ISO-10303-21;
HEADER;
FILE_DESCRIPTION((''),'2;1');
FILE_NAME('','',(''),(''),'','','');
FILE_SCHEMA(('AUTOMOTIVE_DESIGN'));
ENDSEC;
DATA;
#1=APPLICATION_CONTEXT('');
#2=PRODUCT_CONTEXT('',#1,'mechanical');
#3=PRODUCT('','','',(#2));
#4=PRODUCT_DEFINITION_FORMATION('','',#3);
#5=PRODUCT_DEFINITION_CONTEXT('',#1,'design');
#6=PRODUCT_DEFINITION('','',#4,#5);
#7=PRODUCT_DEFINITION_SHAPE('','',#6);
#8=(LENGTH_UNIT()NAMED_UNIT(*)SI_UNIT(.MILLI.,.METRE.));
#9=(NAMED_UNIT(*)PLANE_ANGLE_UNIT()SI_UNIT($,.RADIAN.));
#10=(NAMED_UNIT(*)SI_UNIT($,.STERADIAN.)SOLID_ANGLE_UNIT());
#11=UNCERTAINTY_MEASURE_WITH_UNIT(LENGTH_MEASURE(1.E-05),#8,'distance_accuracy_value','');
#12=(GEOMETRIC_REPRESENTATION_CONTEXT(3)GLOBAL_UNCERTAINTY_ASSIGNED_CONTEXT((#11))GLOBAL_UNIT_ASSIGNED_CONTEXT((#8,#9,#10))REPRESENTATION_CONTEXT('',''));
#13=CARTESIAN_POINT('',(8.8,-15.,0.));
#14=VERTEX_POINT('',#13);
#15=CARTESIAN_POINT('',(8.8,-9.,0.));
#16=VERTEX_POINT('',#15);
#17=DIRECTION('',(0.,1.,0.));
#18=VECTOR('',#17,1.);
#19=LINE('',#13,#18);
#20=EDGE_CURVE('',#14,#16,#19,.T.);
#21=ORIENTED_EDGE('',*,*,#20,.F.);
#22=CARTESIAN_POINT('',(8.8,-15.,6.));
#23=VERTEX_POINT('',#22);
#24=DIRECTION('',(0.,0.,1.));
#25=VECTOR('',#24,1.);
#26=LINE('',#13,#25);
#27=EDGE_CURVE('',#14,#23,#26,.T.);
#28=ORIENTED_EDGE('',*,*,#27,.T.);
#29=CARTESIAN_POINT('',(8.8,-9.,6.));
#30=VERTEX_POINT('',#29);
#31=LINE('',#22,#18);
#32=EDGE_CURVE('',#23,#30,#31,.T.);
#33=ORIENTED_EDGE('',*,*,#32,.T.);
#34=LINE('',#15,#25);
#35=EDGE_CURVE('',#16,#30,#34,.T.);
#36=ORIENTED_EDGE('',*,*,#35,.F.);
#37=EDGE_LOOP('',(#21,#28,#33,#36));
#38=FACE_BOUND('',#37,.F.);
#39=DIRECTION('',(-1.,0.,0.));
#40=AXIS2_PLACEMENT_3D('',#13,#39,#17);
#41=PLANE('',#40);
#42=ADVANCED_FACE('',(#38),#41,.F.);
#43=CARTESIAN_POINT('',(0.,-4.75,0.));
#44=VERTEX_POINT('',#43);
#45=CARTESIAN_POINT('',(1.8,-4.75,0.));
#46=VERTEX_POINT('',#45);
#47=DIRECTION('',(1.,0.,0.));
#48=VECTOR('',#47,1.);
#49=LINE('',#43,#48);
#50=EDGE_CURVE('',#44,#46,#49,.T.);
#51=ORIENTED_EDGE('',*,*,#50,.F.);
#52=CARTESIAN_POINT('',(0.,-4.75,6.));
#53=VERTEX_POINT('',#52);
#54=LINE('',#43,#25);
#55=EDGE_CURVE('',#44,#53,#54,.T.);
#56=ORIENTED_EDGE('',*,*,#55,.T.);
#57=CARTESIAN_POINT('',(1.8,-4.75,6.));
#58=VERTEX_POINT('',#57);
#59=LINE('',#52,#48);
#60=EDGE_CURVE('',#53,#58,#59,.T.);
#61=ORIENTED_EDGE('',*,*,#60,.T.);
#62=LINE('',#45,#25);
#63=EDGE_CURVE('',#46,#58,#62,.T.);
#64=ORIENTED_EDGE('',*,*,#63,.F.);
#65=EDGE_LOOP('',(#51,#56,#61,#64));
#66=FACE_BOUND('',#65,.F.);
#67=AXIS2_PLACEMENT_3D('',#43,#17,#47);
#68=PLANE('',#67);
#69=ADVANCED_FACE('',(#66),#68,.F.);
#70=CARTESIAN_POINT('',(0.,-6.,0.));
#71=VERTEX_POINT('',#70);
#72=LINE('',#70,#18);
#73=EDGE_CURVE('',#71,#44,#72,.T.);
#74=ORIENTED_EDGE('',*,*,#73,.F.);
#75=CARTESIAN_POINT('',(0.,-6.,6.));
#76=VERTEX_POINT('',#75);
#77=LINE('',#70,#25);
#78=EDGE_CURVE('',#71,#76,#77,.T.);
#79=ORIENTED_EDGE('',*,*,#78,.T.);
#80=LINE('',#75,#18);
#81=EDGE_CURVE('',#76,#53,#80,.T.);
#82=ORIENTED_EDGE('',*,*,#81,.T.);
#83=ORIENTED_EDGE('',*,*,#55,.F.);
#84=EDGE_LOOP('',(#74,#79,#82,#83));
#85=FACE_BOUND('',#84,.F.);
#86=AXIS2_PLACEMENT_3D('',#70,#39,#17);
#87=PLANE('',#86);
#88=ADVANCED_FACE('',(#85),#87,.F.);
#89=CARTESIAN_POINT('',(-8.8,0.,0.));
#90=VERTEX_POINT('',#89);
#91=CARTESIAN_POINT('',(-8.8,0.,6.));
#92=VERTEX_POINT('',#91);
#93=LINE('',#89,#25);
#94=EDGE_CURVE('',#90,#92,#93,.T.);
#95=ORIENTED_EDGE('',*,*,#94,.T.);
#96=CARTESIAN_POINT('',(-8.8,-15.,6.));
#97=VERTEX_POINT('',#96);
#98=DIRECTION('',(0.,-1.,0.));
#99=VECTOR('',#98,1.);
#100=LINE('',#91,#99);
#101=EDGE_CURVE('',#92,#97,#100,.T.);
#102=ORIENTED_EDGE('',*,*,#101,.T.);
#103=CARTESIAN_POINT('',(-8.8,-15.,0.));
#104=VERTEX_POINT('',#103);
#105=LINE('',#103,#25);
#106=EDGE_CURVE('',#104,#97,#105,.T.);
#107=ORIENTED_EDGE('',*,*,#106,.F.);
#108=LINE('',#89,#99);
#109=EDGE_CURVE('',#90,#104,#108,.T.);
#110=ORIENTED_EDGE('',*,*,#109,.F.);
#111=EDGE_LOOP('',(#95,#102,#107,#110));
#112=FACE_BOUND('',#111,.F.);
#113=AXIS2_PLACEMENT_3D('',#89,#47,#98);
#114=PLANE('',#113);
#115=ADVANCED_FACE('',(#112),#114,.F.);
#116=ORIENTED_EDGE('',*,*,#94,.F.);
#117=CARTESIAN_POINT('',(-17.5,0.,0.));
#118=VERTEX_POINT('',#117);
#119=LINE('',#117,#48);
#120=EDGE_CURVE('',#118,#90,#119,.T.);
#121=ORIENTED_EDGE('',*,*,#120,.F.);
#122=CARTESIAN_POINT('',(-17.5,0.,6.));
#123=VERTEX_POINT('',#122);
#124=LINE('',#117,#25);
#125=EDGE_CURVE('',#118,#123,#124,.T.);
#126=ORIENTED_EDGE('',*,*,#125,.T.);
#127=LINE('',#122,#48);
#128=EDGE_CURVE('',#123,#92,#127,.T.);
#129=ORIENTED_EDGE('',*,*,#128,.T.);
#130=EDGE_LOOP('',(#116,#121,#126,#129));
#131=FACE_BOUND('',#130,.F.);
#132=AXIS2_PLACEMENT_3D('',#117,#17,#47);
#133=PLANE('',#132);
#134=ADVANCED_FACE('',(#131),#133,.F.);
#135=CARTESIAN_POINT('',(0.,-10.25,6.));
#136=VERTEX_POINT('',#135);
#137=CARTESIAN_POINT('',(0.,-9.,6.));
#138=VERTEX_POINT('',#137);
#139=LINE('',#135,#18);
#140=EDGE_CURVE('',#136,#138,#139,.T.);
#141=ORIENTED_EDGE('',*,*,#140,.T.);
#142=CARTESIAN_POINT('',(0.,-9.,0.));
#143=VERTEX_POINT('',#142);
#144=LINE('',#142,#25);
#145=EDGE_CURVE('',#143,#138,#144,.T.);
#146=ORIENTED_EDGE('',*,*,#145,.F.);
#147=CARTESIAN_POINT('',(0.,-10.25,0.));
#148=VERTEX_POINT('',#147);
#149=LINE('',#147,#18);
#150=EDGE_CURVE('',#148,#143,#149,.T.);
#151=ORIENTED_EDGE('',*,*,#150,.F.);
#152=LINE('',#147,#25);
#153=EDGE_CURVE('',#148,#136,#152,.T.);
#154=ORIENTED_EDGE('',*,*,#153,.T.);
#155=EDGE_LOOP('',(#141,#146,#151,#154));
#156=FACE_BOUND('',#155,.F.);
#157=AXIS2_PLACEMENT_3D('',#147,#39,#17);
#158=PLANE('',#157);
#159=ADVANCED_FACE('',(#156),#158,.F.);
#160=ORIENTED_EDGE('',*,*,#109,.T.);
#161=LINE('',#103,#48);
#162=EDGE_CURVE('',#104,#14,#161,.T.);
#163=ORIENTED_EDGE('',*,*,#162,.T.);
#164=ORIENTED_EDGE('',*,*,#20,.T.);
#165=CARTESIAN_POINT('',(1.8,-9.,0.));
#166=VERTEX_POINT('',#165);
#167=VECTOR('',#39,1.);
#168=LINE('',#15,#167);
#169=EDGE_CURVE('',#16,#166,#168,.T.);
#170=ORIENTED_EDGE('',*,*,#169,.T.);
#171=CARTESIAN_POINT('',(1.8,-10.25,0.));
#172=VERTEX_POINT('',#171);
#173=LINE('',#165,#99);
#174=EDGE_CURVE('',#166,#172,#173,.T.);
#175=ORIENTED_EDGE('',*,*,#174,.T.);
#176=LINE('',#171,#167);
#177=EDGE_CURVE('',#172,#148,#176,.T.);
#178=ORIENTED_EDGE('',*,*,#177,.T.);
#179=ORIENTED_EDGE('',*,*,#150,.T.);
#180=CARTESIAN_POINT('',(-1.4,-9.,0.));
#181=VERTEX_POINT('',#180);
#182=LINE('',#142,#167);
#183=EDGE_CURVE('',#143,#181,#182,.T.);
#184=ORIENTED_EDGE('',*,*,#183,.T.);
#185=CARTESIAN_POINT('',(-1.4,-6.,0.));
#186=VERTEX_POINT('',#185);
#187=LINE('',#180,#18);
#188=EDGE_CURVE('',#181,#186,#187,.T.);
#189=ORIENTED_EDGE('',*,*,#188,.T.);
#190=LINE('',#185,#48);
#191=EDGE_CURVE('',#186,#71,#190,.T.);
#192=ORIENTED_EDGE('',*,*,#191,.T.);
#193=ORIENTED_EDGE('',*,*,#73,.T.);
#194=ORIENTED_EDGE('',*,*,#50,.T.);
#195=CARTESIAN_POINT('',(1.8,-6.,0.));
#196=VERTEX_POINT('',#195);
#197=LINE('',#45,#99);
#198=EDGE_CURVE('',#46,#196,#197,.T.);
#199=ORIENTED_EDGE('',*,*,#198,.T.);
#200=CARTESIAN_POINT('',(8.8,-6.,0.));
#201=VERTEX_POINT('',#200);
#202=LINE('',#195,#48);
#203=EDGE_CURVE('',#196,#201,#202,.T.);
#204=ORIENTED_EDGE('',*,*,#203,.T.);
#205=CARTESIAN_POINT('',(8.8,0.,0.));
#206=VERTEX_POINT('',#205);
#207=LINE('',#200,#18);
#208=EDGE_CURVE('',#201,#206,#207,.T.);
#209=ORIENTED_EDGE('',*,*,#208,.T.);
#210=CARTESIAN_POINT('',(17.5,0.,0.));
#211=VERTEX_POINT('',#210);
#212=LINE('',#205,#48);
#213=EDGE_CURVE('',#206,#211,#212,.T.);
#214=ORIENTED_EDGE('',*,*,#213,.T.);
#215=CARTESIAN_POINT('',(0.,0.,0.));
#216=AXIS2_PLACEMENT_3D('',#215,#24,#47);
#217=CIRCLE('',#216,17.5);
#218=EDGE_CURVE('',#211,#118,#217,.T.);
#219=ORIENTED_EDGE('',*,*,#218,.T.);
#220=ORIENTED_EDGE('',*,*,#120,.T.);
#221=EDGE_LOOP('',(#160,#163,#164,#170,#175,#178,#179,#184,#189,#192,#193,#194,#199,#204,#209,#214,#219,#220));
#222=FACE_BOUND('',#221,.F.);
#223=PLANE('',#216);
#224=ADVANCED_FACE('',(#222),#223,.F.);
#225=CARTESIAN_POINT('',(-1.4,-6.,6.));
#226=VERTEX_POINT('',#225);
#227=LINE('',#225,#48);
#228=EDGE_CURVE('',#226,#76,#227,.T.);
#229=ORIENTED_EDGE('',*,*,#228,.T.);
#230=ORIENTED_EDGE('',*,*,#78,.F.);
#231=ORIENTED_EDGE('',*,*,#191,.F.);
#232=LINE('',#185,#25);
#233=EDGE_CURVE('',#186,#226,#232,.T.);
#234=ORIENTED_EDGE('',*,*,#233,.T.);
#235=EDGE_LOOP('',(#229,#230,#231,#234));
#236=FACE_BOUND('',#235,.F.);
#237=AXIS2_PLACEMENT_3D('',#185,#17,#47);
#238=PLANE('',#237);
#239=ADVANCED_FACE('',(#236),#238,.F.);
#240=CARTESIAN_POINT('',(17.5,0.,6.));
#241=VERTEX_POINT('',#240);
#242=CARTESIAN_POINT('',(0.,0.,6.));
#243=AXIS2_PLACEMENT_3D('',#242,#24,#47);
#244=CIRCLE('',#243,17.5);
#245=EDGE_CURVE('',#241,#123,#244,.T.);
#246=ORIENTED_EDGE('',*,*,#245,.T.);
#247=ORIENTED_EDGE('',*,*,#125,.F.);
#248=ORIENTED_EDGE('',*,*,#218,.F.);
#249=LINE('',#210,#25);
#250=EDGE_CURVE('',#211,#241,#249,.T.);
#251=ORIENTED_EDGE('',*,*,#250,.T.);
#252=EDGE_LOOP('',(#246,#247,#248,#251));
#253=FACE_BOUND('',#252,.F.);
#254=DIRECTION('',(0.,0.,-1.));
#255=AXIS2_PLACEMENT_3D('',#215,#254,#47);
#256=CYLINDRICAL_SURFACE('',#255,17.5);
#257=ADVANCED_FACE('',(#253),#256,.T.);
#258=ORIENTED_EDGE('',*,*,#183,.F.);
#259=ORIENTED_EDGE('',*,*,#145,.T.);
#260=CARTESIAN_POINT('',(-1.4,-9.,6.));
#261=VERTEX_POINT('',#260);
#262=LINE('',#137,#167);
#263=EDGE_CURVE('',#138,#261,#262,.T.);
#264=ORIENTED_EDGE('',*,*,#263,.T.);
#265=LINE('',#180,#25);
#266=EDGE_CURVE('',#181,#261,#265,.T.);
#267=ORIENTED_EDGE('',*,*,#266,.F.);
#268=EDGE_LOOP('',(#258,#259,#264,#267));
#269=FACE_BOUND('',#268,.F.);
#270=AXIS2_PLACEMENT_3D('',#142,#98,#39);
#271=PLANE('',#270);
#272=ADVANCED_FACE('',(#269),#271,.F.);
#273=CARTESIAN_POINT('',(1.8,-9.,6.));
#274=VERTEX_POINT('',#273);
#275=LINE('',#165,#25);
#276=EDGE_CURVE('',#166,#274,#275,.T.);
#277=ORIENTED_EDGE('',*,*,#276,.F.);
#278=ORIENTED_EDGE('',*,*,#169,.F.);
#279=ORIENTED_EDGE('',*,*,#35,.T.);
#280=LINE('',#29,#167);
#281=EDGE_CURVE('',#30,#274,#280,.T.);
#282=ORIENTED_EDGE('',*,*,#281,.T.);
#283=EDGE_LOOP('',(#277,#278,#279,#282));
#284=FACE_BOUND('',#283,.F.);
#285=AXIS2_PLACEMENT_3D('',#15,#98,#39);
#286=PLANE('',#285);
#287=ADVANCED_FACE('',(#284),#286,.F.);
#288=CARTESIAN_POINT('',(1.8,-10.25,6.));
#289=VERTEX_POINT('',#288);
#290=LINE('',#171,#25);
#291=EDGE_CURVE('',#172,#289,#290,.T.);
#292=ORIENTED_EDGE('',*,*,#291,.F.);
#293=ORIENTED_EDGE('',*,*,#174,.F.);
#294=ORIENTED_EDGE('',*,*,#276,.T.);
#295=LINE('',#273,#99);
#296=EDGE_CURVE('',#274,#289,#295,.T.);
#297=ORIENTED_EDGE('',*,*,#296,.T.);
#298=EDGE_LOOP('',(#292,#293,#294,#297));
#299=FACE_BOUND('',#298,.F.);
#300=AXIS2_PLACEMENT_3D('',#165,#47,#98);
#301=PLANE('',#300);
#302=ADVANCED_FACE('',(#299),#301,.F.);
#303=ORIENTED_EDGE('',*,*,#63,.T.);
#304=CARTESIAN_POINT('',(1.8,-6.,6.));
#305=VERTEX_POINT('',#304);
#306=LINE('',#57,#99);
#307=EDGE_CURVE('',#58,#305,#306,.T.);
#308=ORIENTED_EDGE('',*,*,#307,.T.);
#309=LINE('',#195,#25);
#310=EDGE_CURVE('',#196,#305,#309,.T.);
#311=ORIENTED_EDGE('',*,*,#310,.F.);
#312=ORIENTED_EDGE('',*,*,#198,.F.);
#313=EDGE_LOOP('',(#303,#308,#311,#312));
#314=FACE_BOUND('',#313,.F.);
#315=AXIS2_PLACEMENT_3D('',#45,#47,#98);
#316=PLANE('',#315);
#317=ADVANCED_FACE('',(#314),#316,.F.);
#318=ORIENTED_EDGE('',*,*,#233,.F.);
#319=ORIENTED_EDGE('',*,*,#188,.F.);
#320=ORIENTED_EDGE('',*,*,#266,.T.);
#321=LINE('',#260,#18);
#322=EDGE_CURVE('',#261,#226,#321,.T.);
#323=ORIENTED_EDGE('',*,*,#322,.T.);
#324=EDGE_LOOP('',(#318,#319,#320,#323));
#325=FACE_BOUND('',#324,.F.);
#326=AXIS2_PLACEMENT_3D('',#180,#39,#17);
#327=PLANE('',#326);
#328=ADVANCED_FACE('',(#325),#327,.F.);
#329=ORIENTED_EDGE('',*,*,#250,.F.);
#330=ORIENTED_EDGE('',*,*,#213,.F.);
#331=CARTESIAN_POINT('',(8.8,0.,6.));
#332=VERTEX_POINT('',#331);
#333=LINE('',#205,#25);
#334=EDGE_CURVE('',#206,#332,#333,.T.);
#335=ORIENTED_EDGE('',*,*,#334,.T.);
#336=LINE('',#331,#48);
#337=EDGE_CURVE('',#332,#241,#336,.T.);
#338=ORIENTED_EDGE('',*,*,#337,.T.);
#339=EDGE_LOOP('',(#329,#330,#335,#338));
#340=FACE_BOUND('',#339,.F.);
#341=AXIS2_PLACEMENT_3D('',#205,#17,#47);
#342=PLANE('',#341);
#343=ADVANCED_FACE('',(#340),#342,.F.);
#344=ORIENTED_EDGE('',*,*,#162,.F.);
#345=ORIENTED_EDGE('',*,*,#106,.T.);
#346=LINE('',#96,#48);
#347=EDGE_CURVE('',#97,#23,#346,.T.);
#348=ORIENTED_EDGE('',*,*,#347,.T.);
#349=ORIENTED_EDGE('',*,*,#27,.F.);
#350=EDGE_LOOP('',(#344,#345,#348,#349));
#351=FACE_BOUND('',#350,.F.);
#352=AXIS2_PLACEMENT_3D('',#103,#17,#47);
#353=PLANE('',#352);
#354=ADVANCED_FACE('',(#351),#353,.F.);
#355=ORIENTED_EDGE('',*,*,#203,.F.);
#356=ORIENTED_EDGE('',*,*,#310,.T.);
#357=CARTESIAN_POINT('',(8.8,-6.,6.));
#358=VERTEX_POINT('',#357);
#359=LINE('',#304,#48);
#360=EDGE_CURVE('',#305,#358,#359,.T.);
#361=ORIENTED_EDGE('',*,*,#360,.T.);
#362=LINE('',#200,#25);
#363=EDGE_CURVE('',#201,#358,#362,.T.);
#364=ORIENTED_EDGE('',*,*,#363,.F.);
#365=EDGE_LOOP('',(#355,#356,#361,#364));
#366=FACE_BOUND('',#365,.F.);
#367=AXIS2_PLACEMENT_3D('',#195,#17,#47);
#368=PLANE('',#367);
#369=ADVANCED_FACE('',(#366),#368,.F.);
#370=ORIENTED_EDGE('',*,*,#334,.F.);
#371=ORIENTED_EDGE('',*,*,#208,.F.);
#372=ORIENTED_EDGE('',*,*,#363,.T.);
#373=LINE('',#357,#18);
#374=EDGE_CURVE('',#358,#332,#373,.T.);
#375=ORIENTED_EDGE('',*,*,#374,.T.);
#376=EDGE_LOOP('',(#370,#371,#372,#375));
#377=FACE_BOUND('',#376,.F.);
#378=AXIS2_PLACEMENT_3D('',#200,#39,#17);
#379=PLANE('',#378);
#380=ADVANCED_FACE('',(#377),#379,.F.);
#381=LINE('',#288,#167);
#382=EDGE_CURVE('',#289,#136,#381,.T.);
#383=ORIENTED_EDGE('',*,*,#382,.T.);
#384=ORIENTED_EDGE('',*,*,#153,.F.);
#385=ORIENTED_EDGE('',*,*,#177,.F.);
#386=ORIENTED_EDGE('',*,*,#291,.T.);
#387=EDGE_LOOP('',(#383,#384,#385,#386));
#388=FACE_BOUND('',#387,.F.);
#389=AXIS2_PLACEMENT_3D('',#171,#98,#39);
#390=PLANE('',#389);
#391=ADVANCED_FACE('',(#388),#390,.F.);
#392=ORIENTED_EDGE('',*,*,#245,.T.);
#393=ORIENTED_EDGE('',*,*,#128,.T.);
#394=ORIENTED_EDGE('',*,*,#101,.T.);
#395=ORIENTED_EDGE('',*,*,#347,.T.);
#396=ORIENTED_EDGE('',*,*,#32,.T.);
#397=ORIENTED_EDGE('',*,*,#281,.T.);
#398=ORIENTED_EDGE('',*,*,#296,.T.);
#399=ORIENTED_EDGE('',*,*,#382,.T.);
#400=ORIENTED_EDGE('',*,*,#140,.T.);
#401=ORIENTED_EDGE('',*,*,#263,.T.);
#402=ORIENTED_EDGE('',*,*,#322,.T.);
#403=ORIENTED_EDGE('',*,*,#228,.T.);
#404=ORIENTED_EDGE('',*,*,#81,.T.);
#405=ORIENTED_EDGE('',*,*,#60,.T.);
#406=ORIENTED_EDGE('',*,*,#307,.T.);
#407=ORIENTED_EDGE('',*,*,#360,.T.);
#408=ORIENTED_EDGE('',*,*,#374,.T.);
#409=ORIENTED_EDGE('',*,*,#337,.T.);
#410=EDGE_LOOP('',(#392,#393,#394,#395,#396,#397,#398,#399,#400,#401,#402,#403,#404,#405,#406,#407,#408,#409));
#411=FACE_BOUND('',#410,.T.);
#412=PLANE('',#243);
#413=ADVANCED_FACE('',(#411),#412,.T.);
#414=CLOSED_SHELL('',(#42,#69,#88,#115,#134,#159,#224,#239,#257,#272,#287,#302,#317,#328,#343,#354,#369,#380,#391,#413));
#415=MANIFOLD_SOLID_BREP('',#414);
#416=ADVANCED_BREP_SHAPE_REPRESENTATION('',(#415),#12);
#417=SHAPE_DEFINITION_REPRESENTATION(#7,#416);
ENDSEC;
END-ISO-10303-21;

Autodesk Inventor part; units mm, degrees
ref_plane "YZ Plane" through (0, 0, 0) normal (1, 0, 0) x (0, 1, 0)
ref_plane "XZ Plane" through (0, 0, 0) normal (0, 1, 0) x (-1, 0, 0)
ref_plane "XY Plane" through (0, 0, 0) normal (0, 0, 1) x (1, 0, 0)
sketch "Sketch1" plane through (0, 0, 0) normal (0, 0, 1) x (1, 0, 0)
  line L0 (-17.5, 0) -> (-8.8, 0)
  line L1 (-8.8, 0) -> (-8.8, -15)
  line L2 (-8.8, -15) -> (8.8, -15)
  line L3 (8.8, -15) -> (8.8, -9)
  line L4 (8.8, -9) -> (1.8, -9)
  line L5 (1.8, -9) -> (1.8, -10.25)
  line L6 (1.8, -10.25) -> (0, -10.25)
  line L7 (0, -10.25) -> (0, -9)
  line L8 (0, -9) -> (-1.4, -9)
  line L9 (-1.4, -9) -> (-1.4, -6)
  line L10 (-1.4, -6) -> (0, -6)
  line L11 (0, -6) -> (0, -4.75)
  line L12 (0, -4.75) -> (1.8, -4.75)
  line L13 (1.8, -4.75) -> (1.8, -6)
  line L14 (1.8, -6) -> (8.8, -6)
  line L15 (8.8, -6) -> (8.8, 0)
  line L16 (8.8, 0) -> (17.5, 0)
  arc A0 (17.5, 0) -> (-17.5, 0) centre (0, 0) ccw
  point P0 (0, 0)
extrude "Extrusion1" add sketch "Sketch1" along normal blind 6
properties part number "spoolHolder_c"
